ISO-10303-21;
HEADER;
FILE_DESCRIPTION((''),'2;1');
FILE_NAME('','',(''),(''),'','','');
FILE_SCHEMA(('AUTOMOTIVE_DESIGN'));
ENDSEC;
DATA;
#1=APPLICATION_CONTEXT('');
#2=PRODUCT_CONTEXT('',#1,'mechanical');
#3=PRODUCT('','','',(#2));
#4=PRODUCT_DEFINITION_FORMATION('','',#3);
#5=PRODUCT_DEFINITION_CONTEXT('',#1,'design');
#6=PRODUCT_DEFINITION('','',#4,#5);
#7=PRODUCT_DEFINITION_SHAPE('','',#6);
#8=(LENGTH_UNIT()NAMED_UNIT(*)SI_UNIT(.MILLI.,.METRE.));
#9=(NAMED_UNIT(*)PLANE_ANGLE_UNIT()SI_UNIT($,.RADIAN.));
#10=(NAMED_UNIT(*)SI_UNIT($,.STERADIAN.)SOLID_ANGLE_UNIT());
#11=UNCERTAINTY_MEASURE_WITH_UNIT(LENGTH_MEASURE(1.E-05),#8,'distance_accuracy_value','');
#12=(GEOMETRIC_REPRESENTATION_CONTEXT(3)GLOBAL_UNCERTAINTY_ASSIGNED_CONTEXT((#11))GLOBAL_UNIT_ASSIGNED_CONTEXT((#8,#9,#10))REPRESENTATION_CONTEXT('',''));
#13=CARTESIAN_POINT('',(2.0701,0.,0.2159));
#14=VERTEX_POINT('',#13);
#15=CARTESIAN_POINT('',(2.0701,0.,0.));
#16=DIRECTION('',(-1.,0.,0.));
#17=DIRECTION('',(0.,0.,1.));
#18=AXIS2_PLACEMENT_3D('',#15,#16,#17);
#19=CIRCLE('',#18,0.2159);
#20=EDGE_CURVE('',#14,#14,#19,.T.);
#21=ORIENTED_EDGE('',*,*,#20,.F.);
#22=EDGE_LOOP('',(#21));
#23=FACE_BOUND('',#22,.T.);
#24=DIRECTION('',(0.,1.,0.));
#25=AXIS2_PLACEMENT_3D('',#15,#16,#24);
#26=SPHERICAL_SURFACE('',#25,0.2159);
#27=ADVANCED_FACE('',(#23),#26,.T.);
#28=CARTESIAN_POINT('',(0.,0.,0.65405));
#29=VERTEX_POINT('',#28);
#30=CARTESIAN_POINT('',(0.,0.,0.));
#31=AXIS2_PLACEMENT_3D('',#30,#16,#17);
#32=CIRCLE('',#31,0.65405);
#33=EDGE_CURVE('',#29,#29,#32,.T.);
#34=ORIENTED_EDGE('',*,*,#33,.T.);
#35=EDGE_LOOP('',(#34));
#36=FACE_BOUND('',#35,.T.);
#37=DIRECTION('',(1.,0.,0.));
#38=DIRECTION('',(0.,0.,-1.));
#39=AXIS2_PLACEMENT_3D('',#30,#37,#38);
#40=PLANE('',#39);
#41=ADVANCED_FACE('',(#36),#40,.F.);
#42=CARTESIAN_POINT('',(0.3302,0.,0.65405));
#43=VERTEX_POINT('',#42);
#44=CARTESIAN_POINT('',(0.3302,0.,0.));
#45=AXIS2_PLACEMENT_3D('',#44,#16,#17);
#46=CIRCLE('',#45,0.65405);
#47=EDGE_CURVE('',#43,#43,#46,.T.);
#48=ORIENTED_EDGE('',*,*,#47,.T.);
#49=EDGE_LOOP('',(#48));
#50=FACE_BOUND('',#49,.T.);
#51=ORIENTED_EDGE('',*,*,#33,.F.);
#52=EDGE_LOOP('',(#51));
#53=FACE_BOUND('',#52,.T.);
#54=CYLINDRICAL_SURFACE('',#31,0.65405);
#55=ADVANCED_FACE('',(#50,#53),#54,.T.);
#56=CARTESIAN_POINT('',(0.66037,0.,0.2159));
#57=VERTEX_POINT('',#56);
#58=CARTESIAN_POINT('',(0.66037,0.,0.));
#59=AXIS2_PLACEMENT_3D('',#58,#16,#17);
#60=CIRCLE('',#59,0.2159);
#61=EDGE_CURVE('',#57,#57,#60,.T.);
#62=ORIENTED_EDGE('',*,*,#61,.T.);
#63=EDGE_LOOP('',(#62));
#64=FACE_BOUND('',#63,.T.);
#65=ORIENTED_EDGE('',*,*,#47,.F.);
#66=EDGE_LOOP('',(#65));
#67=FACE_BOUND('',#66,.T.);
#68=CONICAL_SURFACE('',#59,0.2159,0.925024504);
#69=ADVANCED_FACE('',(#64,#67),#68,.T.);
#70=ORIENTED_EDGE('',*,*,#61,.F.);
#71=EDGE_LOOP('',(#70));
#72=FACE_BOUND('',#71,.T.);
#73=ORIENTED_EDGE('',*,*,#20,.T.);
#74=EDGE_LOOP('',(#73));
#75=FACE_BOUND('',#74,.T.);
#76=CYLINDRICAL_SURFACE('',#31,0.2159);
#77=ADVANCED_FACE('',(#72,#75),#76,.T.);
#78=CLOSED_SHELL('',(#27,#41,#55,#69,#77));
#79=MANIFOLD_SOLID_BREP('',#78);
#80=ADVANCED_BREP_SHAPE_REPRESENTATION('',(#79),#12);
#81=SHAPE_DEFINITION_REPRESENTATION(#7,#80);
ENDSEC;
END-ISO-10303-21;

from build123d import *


with BuildPart() as part:
    # Sketch1 → RevolutionAngle1 (revolve)
    with BuildSketch(Plane.XY):
        with BuildLine():
            Line((0, 0), (0, 0.65405))
            Line((0, 0.65405), (0.3302, 0.65405))
            Line((0.3302, 0.65405), (0.660369707, 0.2159))
            Line((0.660369707, 0.2159), (2.0701, 0.2159))
            ThreePointArc((2.0701, 0.2159), (2.222764354, 0.152664354), (2.286, 0))
            Line((2.286, 0), (0, 0))
        make_face()
    revolve(axis=Axis((0, 0, 0), (1, 0, 0)))


solid = part.part
